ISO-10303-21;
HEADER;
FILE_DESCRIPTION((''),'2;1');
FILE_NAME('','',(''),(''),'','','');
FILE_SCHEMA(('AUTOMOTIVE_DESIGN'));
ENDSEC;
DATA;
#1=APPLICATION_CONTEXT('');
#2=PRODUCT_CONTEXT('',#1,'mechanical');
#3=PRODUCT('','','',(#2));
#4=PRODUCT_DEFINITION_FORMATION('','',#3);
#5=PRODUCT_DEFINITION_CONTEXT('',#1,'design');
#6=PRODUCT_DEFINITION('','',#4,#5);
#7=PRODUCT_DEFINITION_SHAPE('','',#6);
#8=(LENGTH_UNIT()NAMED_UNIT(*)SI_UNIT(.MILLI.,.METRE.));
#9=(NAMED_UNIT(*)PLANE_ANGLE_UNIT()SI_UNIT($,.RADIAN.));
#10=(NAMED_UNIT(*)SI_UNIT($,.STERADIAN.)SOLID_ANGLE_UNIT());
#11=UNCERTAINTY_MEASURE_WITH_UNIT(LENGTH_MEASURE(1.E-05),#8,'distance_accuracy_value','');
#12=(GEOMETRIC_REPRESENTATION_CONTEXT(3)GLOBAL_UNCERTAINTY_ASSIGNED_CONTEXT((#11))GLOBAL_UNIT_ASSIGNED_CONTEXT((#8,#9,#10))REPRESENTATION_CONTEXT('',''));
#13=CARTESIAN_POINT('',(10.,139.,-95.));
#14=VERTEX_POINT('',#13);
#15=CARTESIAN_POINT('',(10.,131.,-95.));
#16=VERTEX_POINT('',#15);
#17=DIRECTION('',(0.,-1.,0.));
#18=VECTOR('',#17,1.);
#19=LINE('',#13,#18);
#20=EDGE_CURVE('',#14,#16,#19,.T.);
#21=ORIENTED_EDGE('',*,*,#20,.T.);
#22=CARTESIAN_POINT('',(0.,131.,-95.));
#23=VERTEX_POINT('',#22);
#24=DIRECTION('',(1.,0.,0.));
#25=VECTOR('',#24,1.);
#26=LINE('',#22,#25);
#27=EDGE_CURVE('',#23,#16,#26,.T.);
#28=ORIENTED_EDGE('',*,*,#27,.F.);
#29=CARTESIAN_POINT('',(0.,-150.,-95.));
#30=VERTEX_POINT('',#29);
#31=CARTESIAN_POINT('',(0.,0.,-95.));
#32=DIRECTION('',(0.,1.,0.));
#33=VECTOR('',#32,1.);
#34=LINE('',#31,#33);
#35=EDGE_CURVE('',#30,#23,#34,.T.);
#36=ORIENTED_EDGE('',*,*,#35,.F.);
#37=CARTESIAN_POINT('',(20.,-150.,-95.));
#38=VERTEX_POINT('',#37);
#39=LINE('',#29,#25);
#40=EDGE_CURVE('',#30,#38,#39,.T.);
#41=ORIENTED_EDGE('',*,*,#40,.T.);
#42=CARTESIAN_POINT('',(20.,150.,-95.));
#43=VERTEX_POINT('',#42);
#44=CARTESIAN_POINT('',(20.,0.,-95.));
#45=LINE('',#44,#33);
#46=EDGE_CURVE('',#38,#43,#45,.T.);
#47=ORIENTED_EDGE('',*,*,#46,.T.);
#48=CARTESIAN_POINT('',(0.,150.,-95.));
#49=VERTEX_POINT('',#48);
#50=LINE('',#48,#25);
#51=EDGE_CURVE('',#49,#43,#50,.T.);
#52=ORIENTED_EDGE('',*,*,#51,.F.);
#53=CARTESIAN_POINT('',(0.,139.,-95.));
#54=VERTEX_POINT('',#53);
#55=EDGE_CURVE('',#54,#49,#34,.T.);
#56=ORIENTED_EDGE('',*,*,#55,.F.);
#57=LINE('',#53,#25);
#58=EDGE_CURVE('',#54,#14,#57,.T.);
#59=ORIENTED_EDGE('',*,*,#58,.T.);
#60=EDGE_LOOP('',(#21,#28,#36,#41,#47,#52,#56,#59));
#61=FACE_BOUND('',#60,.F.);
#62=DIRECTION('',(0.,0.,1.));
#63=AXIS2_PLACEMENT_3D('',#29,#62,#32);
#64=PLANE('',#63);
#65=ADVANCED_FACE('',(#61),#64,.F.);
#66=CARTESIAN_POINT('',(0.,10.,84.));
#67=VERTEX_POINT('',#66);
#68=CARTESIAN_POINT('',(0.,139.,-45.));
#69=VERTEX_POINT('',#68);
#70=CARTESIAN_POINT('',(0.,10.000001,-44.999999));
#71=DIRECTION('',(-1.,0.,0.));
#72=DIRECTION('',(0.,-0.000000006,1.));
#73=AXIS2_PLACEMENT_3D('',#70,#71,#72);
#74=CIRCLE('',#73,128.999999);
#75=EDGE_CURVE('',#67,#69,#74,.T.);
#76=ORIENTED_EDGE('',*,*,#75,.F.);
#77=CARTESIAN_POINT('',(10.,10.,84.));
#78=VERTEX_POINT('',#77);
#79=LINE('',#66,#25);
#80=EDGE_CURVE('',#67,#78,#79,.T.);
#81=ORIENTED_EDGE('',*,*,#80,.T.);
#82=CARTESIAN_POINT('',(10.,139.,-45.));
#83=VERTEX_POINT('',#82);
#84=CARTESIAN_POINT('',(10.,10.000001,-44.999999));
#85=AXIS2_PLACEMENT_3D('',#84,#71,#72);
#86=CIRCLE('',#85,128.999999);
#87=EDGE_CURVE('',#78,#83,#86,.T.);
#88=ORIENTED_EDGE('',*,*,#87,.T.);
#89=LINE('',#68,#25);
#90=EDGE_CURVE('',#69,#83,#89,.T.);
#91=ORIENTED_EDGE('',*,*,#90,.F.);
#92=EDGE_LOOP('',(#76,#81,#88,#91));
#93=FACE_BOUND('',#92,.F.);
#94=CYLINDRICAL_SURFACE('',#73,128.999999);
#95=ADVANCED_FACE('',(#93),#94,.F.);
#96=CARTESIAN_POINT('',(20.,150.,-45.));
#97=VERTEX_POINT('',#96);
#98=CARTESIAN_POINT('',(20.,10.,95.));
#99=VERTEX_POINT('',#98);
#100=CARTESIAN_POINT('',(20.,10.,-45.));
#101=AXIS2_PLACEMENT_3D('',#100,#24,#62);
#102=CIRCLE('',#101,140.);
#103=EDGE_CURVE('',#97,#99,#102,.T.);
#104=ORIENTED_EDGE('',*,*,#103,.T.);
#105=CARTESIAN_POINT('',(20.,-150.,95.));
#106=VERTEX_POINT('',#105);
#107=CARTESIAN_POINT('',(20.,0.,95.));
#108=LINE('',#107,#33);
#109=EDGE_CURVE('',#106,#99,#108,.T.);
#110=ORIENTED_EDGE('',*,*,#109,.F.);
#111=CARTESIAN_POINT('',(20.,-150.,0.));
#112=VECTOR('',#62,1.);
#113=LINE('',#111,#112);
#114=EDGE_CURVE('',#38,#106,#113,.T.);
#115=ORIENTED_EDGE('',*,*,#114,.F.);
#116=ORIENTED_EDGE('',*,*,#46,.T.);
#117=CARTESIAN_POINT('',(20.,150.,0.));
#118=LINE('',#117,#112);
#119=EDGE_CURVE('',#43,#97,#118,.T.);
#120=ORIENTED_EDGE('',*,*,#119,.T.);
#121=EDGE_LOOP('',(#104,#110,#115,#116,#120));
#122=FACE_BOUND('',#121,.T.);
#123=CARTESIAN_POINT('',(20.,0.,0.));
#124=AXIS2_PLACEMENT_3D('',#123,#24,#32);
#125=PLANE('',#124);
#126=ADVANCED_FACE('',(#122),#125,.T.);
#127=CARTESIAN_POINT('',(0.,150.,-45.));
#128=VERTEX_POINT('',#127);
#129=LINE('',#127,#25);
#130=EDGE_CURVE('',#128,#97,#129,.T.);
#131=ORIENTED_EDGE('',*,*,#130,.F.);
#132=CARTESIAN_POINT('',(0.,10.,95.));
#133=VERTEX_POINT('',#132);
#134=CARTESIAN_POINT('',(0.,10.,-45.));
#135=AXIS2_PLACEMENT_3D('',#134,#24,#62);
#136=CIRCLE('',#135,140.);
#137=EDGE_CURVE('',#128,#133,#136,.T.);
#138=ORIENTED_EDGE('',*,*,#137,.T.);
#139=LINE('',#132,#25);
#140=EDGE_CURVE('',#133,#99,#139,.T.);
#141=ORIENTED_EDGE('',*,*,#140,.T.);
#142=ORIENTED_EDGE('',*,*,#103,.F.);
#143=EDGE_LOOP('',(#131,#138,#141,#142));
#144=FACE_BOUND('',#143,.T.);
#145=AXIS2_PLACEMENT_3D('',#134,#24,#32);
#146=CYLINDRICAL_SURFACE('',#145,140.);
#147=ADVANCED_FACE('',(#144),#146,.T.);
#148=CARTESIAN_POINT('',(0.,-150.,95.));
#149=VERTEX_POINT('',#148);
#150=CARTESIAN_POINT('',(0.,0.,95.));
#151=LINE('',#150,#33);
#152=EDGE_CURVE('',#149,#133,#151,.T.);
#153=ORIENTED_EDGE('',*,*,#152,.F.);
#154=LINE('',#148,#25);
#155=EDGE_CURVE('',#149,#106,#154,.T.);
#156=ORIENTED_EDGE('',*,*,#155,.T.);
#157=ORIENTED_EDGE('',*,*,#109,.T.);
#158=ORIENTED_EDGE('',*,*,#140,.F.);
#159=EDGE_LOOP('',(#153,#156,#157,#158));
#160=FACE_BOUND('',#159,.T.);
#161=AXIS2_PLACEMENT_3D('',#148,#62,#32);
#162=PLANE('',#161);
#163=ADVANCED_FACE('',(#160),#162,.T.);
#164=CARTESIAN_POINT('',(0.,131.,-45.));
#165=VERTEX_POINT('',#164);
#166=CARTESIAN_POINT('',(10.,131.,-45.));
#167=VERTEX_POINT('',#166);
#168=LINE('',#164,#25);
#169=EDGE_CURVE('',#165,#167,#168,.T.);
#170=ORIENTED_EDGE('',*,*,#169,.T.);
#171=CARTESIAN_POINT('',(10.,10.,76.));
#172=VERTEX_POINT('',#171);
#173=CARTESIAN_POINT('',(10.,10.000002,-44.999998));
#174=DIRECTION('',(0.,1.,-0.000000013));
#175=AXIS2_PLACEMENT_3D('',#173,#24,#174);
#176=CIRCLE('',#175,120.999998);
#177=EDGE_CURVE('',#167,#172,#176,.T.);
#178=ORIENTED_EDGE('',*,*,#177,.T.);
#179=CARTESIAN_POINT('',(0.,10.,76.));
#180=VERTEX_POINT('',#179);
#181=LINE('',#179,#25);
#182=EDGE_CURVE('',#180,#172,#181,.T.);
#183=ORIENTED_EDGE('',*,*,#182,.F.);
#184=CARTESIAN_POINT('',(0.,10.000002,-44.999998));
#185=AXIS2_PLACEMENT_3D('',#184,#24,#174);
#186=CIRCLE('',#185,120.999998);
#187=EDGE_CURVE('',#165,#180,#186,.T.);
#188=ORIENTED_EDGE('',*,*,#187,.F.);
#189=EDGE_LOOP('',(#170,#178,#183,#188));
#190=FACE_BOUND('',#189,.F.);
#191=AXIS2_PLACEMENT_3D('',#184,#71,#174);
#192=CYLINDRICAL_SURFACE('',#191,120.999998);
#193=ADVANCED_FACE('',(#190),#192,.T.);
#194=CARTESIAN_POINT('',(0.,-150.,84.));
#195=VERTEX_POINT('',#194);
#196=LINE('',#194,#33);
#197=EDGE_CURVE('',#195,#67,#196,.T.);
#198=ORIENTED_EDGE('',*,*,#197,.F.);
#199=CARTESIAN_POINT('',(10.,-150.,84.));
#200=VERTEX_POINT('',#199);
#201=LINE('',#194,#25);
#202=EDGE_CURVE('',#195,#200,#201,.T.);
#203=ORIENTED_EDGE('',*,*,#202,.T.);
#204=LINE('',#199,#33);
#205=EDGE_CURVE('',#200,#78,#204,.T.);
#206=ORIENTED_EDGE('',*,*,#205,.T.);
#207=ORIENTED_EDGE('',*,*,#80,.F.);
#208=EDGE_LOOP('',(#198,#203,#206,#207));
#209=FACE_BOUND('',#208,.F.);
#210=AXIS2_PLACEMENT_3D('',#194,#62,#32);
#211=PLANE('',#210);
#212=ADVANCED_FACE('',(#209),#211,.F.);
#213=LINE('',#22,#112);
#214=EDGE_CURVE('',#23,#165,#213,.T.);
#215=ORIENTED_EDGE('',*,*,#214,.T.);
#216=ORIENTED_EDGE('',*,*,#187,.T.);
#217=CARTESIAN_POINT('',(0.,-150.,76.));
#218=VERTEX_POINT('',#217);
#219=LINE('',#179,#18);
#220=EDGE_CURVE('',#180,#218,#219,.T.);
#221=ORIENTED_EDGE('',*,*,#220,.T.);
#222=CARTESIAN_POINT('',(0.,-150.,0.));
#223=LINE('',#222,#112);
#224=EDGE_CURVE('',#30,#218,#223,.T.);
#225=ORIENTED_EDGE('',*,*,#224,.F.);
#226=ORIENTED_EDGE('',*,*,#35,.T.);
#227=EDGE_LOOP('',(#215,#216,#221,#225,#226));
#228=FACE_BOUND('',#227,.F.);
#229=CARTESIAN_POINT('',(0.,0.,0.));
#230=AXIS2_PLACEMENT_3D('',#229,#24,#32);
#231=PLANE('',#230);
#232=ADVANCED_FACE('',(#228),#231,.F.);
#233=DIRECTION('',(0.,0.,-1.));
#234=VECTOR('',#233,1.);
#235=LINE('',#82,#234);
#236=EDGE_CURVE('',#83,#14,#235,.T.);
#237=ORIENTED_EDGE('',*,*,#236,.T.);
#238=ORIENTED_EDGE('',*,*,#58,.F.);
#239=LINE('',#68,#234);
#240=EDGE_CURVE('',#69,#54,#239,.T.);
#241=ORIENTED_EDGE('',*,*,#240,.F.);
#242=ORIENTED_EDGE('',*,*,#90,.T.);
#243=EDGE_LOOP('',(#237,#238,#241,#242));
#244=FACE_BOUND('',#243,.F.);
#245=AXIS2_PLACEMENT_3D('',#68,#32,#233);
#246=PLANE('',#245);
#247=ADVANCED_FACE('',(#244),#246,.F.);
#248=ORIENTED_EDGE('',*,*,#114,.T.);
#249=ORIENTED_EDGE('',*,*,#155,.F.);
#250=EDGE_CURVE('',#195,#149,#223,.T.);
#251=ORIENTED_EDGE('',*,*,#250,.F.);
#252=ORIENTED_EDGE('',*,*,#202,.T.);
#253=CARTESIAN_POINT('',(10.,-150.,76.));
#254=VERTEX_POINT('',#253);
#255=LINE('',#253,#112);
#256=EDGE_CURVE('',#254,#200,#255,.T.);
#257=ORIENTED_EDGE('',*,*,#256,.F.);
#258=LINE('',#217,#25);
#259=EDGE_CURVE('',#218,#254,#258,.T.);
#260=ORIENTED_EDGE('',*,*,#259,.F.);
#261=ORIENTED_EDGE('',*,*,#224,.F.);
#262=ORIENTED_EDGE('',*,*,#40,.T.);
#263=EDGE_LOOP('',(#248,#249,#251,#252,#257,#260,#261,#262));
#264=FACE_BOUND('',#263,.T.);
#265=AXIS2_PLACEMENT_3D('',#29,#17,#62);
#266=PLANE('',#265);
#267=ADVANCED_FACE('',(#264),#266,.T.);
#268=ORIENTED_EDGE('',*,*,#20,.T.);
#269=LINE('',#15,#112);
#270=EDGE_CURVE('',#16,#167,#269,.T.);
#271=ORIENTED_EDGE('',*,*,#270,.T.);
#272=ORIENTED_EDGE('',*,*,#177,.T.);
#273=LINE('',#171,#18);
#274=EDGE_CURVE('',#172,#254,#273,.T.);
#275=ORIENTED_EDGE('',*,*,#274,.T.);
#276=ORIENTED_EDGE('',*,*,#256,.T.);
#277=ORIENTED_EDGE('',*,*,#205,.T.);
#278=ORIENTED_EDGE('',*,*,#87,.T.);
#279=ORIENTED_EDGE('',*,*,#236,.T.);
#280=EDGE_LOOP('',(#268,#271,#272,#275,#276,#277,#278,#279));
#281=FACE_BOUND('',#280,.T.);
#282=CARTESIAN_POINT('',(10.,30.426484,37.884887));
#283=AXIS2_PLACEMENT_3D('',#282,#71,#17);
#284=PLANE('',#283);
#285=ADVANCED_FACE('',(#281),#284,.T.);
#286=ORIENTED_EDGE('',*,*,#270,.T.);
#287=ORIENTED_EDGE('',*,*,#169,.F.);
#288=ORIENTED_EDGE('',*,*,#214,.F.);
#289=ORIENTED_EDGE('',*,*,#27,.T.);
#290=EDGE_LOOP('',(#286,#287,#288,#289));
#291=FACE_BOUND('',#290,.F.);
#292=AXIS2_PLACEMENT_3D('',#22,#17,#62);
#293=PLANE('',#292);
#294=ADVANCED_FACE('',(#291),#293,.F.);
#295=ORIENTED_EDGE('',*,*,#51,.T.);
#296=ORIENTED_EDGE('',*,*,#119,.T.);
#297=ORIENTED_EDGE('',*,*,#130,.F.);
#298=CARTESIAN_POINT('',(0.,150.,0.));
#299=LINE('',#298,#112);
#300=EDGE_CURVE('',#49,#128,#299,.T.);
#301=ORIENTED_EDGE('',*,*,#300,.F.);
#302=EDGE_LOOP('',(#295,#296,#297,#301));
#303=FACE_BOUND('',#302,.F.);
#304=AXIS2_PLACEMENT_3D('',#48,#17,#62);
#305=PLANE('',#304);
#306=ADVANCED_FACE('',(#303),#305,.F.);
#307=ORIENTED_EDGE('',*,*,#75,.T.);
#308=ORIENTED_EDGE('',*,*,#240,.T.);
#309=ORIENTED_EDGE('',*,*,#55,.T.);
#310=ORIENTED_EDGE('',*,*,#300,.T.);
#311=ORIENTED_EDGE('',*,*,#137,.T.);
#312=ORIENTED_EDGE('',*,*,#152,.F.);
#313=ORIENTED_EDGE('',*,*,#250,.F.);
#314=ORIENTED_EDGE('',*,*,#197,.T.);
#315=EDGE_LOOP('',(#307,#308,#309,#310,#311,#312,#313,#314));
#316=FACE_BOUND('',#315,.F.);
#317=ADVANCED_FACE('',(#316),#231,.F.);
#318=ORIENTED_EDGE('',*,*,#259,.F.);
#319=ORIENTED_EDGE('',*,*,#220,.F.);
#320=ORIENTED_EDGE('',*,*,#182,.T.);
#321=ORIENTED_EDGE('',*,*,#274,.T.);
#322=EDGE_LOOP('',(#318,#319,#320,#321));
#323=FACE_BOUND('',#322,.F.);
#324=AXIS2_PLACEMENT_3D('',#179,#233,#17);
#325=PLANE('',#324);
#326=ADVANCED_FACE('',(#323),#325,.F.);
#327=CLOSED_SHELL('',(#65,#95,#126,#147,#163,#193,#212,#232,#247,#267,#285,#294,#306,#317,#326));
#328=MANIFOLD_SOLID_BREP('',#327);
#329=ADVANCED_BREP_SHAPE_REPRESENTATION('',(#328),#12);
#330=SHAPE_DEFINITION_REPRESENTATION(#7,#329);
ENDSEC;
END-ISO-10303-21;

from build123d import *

# Parameters (mm, degrees)
F0_W     = 300
F0_H     = 190
F1_DEPTH = 20
F2_R     = 140
F4_DEPTH = 10


with BuildPart() as f1:
    # F0 (on Right) → F1 (new body)
    with BuildSketch(Plane.YZ):
        Rectangle(F0_W, F0_H)
    extrude(amount=F1_DEPTH)

    # F2
    f2_edges = [f1.edges().sort_by_distance(p)[0] for p in [
        (10, 150, 95),
    ]]
    fillet(f2_edges, radius=F2_R)

    # F3 (on face) → F4 (cut)
    with BuildSketch(Plane(origin=(0, 0, 0), x_dir=(0, -1, 0), z_dir=(-1, 0, 0))):
        with BuildLine():
            Line((-139, -45), (-139, -95))
            Line((-139, -95), (-131, -95))
            Line((-131, -95), (-131, -45))
            ThreePointArc((-131, -45), (-95.559921, 40.559921), (-10, 76))
            Line((-10, 76), (150, 76))
            Line((150, 76), (150, 84))
            Line((150, 84), (-10, 84))
            ThreePointArc((-10, 84), (-101.216775, 46.216775), (-139, -45))
        make_face()
    extrude(amount=-F4_DEPTH, mode=Mode.SUBTRACT)


solid = f1.part
